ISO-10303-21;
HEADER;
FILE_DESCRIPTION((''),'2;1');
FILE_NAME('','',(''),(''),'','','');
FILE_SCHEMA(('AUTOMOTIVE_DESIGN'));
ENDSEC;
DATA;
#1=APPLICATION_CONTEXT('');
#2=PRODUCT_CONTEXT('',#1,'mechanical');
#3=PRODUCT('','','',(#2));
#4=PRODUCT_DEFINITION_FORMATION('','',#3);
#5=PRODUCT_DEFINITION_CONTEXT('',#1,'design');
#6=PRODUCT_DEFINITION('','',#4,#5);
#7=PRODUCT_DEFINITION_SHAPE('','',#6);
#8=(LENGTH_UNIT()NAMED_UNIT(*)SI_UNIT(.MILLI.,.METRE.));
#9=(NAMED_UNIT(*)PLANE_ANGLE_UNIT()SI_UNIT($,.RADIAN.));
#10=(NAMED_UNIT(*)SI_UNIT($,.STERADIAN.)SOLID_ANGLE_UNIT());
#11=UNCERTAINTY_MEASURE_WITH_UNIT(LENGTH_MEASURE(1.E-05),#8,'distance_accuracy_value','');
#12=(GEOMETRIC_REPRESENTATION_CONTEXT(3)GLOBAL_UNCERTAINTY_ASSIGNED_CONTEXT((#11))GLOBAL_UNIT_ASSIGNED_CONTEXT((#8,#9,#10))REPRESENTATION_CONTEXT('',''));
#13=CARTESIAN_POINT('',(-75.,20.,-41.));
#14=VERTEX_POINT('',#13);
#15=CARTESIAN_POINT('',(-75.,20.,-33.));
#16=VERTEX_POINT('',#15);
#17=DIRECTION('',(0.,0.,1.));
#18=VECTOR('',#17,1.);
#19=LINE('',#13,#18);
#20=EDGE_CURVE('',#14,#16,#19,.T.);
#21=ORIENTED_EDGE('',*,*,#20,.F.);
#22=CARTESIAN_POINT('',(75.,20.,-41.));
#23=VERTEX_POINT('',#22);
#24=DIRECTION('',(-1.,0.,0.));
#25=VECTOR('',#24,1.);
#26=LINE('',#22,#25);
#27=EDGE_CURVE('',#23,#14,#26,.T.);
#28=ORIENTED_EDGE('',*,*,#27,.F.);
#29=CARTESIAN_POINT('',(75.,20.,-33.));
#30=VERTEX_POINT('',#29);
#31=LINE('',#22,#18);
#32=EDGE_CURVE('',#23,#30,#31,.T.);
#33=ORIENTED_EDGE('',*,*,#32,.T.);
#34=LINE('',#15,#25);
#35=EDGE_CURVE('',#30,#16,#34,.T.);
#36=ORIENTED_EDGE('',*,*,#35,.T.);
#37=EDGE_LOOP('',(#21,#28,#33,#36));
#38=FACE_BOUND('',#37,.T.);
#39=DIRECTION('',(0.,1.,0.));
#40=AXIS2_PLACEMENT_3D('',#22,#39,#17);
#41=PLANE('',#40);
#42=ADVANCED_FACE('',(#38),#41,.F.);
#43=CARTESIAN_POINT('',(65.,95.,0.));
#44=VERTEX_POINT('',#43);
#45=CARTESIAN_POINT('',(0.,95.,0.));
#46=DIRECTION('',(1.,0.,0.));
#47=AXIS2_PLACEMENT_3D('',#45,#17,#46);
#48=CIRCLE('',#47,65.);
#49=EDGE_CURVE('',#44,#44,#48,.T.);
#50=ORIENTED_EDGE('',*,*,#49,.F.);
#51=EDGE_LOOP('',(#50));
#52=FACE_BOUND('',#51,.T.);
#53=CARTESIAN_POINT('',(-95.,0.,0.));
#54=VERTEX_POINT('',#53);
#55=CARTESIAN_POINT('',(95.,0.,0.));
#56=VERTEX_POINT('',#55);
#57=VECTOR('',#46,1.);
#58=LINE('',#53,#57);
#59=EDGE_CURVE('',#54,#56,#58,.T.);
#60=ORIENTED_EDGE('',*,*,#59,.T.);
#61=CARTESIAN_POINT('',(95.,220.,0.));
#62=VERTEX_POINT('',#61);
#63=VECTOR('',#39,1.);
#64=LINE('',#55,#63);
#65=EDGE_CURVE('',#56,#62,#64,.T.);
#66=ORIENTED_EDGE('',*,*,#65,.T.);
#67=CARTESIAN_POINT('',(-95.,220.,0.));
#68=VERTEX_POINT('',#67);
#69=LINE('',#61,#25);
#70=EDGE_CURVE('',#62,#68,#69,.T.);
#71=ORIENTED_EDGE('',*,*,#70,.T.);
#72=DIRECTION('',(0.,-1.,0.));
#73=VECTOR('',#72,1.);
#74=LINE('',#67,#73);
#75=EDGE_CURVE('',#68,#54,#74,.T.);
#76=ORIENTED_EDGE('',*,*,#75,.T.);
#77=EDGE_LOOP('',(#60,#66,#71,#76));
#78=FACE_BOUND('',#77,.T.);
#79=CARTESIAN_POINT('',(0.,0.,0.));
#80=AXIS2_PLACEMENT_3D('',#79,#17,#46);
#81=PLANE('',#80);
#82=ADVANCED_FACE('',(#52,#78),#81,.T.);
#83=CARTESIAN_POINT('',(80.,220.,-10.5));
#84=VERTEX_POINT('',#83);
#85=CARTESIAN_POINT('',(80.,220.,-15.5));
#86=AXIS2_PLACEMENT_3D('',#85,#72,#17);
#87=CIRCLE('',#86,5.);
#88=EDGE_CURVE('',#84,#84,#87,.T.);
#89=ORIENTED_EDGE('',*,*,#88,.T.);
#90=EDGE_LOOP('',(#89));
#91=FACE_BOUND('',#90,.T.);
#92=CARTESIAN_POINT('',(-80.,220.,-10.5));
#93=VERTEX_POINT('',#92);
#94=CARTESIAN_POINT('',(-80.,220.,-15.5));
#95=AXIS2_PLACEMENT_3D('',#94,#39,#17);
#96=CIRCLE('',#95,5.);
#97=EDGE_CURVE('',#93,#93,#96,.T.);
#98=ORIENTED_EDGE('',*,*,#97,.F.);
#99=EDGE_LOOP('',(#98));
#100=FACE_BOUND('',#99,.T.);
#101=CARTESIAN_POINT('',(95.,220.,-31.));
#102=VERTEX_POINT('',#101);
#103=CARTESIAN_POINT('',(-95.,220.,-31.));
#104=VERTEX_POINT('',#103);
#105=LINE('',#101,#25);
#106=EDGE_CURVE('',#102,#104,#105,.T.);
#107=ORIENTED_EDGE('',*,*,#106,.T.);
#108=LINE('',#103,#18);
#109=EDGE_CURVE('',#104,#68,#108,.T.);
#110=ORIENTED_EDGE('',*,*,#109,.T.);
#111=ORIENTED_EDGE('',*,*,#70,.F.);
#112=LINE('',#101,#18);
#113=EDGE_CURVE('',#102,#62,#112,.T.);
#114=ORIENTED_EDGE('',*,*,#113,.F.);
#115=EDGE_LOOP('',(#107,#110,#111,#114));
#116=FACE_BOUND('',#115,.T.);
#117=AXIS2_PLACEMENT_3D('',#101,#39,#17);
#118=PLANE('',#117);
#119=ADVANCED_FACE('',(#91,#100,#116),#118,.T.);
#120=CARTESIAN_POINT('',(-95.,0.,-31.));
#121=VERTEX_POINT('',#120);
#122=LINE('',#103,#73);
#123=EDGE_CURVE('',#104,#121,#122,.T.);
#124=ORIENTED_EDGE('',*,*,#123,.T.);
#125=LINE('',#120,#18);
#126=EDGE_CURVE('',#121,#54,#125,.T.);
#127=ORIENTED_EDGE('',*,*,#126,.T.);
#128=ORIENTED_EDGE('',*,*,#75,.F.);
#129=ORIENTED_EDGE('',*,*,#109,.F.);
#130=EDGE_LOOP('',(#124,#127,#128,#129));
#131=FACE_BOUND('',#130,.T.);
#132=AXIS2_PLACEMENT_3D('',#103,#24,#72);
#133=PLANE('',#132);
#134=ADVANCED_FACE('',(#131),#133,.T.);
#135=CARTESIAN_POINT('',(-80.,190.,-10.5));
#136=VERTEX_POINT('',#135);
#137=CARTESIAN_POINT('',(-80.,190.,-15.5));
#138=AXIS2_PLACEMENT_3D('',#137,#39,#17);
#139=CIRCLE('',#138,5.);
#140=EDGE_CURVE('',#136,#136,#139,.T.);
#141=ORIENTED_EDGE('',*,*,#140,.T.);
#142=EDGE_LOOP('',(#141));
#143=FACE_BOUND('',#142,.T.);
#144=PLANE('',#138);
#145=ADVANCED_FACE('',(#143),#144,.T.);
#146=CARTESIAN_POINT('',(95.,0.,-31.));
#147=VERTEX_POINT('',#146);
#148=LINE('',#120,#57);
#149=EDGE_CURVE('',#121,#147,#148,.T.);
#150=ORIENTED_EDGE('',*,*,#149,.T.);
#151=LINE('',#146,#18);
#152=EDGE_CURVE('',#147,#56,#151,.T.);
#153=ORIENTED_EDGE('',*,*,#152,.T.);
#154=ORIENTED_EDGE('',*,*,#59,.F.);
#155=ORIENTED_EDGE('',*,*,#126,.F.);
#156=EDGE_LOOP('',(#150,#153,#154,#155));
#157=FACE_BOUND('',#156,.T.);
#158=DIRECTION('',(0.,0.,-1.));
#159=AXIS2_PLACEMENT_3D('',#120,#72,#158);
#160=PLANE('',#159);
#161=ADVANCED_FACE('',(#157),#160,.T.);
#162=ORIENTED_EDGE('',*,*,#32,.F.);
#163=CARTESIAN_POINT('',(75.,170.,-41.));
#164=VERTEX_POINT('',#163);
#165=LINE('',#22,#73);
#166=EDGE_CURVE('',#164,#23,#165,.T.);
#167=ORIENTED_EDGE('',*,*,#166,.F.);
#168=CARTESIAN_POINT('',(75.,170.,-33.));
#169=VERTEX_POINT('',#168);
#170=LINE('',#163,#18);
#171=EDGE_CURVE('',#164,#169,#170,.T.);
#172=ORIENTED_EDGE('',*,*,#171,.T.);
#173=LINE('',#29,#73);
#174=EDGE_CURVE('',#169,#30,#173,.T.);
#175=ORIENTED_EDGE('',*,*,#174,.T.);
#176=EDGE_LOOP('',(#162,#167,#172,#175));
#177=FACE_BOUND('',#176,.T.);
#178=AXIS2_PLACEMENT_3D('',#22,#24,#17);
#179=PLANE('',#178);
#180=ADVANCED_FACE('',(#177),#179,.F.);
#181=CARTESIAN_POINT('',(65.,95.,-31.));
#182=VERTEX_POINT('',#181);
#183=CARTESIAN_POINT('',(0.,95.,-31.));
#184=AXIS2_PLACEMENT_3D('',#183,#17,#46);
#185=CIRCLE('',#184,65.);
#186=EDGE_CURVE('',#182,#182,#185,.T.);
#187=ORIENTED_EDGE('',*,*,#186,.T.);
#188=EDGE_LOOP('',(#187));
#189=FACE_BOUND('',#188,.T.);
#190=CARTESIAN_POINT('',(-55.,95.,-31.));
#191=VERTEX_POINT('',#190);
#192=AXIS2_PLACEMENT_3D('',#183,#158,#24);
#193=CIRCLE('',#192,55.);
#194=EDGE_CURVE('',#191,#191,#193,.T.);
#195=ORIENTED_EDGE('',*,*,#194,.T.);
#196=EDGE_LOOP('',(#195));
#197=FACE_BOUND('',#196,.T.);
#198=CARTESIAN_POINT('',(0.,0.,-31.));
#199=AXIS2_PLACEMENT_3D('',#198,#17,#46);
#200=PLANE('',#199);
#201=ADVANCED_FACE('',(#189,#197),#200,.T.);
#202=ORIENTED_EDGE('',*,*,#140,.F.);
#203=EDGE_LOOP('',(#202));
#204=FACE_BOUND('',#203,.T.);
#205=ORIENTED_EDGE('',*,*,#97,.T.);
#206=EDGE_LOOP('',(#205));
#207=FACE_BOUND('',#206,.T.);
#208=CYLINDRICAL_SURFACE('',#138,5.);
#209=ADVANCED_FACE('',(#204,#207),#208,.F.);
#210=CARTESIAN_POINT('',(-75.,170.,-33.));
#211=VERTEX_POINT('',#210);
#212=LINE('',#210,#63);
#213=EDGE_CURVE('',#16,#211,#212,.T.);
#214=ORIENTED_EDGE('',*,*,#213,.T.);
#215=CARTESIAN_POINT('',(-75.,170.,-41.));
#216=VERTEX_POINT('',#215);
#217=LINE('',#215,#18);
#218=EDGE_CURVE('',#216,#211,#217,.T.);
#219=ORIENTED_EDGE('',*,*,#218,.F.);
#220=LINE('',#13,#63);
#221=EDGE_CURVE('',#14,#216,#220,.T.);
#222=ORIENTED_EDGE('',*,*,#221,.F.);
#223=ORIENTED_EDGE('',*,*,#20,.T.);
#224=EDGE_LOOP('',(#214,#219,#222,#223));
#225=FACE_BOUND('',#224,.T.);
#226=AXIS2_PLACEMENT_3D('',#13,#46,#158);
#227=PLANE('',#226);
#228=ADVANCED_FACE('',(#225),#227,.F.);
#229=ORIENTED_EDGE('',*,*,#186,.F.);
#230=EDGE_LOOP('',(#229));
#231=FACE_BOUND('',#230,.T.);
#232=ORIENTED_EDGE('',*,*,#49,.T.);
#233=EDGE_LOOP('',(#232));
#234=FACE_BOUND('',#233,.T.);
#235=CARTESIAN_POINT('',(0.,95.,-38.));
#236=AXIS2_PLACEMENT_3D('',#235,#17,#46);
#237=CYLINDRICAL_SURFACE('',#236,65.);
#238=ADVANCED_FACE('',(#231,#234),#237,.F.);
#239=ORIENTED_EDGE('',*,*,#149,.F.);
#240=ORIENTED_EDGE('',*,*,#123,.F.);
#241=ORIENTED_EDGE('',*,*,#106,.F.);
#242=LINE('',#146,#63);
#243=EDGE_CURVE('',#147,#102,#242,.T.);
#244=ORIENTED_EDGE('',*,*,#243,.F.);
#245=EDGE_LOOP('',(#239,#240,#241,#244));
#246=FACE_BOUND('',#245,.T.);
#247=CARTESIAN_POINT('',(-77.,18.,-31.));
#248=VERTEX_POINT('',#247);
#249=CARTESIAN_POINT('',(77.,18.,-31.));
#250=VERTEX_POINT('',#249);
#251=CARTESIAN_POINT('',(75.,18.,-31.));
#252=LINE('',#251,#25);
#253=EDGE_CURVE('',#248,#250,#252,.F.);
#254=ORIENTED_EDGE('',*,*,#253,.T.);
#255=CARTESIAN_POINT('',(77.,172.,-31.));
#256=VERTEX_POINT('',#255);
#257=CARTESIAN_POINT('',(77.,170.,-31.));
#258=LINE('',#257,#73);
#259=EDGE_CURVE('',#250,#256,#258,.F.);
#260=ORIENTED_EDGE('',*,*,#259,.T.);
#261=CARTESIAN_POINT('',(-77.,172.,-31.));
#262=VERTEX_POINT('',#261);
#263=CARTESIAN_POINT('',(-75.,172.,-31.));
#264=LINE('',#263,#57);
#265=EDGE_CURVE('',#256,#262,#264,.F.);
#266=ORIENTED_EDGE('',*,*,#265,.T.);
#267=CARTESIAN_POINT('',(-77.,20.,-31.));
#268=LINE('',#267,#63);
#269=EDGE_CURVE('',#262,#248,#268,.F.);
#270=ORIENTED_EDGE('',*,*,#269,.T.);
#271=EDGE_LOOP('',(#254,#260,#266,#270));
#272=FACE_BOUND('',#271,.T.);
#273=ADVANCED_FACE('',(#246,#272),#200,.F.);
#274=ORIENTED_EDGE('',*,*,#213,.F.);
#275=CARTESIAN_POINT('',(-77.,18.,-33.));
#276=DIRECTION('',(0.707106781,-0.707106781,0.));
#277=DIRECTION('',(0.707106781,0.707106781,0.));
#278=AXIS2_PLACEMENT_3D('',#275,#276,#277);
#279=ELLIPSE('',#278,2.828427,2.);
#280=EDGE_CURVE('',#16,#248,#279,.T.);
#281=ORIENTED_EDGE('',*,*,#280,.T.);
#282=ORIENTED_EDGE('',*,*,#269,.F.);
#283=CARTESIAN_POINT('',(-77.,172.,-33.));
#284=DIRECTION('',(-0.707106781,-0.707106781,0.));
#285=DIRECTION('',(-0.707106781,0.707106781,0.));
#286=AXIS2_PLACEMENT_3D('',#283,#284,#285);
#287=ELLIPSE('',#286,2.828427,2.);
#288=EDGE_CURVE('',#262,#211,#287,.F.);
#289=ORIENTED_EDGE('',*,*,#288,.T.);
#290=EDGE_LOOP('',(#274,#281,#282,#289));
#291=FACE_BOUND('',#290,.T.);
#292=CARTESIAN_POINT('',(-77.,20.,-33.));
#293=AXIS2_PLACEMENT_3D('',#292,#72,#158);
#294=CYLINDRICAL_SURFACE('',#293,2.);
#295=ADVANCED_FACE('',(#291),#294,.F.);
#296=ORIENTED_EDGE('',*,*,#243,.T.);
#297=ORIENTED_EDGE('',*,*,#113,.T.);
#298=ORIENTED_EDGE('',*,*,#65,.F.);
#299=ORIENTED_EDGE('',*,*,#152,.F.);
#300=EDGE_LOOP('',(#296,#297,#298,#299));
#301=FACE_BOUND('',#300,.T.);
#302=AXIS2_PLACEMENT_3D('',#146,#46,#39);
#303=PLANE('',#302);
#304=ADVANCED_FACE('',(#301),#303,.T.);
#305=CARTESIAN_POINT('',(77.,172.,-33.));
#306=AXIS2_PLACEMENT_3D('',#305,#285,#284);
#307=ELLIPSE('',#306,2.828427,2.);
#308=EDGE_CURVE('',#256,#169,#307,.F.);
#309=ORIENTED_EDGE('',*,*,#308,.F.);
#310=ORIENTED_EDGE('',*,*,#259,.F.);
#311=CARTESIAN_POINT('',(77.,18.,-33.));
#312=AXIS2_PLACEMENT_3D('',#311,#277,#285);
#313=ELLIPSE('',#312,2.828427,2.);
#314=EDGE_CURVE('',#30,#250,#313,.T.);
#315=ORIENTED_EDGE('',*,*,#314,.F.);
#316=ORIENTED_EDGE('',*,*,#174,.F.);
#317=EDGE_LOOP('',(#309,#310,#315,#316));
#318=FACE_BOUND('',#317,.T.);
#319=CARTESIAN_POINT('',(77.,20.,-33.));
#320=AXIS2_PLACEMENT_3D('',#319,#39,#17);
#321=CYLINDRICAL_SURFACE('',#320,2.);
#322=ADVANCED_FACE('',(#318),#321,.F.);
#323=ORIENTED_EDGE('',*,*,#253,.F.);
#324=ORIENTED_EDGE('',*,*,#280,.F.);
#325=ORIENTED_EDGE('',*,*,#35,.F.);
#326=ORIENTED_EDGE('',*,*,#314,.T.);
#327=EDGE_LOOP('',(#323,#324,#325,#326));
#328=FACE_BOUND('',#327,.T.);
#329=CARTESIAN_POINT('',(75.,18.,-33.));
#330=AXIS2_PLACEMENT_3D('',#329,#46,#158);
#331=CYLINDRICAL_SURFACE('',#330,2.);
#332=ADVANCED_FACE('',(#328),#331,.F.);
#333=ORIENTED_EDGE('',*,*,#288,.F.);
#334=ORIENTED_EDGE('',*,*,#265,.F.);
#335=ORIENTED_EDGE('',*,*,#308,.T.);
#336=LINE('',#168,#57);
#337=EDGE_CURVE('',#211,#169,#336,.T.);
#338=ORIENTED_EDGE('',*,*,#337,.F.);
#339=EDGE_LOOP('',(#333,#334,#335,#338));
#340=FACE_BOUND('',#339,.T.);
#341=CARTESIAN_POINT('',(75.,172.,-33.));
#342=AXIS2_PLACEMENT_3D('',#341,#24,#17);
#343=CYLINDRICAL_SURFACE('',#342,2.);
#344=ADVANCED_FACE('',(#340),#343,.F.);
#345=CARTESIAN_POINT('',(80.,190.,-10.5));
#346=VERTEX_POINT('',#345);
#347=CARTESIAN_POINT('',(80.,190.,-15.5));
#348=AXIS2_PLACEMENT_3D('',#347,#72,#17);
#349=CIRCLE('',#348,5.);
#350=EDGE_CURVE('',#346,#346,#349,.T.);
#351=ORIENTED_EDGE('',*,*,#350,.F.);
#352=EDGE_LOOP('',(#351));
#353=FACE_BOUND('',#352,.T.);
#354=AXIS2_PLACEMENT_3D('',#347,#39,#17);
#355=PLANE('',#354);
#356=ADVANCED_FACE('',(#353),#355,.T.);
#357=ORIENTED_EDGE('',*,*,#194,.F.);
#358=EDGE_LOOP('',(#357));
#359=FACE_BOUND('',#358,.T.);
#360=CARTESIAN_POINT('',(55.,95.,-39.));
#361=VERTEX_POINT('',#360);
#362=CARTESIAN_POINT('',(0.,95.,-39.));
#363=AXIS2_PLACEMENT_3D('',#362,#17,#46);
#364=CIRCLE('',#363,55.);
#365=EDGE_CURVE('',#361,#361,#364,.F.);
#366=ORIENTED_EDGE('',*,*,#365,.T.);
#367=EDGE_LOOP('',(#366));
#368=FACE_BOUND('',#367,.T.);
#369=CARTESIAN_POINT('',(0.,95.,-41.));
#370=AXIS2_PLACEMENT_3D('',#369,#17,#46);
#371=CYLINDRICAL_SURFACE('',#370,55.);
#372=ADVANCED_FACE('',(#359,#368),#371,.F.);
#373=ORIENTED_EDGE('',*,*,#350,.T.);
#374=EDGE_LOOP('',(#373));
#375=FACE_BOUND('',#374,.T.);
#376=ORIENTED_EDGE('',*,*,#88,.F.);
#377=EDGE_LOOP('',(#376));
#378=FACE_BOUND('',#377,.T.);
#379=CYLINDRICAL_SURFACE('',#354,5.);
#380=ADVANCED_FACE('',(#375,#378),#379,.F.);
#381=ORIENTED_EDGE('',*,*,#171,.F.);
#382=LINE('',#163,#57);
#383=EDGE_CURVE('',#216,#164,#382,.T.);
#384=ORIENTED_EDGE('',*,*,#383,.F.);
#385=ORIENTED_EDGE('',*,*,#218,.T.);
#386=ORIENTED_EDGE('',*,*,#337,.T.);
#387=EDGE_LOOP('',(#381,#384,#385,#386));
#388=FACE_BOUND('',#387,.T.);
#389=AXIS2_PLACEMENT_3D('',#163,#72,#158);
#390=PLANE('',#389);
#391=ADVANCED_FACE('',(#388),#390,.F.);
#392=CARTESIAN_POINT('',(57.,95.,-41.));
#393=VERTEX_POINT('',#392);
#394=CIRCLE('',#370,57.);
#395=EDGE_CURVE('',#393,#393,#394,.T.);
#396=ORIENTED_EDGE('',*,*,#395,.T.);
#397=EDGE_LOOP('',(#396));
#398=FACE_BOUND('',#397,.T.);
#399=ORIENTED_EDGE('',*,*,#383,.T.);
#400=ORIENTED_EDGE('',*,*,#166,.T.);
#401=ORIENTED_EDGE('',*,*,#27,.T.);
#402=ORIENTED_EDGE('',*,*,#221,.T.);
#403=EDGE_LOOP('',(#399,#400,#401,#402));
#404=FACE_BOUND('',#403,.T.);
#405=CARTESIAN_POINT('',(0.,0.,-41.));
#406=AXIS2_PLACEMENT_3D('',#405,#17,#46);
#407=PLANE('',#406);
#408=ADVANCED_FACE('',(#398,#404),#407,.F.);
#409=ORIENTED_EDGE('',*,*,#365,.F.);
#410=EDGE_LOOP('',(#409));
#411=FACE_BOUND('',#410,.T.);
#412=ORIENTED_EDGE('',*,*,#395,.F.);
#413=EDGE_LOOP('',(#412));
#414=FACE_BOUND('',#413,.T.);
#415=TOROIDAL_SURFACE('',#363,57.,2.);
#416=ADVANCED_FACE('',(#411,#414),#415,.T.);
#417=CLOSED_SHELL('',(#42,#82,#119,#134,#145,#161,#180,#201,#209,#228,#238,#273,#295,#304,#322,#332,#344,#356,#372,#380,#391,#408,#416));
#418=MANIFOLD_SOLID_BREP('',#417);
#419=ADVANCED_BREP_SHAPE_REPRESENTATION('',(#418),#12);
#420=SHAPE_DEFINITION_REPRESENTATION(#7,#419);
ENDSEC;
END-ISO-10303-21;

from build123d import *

# Parameters (mm, degrees)
ESQUISSE1_W             = 190
ESQUISSE1_H             = 220
BOSS_EXTRU_1_DEPTH      = 31
ESQUISSE2_R             = 65
ENL_V_MAT_EXTRU_1_DEPTH = 38
ESQUISSE3_R             = 5
ENL_V_MAT_EXTRU_2_DEPTH = 30
ESQUISSE4_W             = 150
ESQUISSE4_H             = 150
ESQUISSE4_R             = 55
BOSS_EXTRU_2_DEPTH      = 10
CONG_1_R                = 2
CONG_2_R                = 2


with BuildPart() as part:
    # Esquisse1 → Boss.-Extru.1 (new body)
    with BuildSketch(Plane.XY):
        with Locations((0, 110)):
            Rectangle(ESQUISSE1_W, ESQUISSE1_H)
    extrude(amount=-BOSS_EXTRU_1_DEPTH)

    # Esquisse2 → Enlèv. mat.-Extru.1 (cut)
    with BuildSketch(Plane.XY):
        with Locations((0, 95)):
            Circle(ESQUISSE2_R)
    extrude(amount=-ENL_V_MAT_EXTRU_1_DEPTH, mode=Mode.SUBTRACT)

    # Esquisse3 → Enlèv. mat.-Extru.2 (cut)
    with BuildSketch(Plane(origin=(0, 220, 0), x_dir=(1, 0, 0), z_dir=(0, 1, 0))):
        with Locations(Location((-80, 15.5, 0), (0, 0, 270))):
            Circle(ESQUISSE3_R)
    enl_v_mat_extru_2 = extrude(amount=-ENL_V_MAT_EXTRU_2_DEPTH, mode=Mode.SUBTRACT)

    # Symétrie1: Enlèv. mat.-Extru.2 across plane
    add(enl_v_mat_extru_2.mirror(Plane(origin=(0, 0, 0), x_dir=(0, 0, 1), z_dir=(1, 0, 0))), mode=Mode.SUBTRACT)

    # Esquisse4 → Boss.-Extru.2 (add)
    with BuildSketch(Plane(origin=(0, 0, -31), x_dir=(-1, 0, 0), z_dir=(0, 0, -1))):
        with Locations((0, 95)):
            Rectangle(ESQUISSE4_W, ESQUISSE4_H)
        with Locations((0, 95)):
            Circle(ESQUISSE4_R, mode=Mode.SUBTRACT)
    extrude(amount=BOSS_EXTRU_2_DEPTH)

    # Congé1
    cong_1_edges = [part.edges().sort_by_distance(p)[0] for p in [
        (-75, 95, -31),
        (0, 170, -31),
        (75, 95, -31),
        (0, 20, -31),
    ]]
    fillet(cong_1_edges, radius=CONG_1_R)

    # Congé2
    cong_2_edges = [part.edges().sort_by_distance(p)[0] for p in [
        (55, 95, -41),
    ]]
    fillet(cong_2_edges, radius=CONG_2_R)


solid = part.part
